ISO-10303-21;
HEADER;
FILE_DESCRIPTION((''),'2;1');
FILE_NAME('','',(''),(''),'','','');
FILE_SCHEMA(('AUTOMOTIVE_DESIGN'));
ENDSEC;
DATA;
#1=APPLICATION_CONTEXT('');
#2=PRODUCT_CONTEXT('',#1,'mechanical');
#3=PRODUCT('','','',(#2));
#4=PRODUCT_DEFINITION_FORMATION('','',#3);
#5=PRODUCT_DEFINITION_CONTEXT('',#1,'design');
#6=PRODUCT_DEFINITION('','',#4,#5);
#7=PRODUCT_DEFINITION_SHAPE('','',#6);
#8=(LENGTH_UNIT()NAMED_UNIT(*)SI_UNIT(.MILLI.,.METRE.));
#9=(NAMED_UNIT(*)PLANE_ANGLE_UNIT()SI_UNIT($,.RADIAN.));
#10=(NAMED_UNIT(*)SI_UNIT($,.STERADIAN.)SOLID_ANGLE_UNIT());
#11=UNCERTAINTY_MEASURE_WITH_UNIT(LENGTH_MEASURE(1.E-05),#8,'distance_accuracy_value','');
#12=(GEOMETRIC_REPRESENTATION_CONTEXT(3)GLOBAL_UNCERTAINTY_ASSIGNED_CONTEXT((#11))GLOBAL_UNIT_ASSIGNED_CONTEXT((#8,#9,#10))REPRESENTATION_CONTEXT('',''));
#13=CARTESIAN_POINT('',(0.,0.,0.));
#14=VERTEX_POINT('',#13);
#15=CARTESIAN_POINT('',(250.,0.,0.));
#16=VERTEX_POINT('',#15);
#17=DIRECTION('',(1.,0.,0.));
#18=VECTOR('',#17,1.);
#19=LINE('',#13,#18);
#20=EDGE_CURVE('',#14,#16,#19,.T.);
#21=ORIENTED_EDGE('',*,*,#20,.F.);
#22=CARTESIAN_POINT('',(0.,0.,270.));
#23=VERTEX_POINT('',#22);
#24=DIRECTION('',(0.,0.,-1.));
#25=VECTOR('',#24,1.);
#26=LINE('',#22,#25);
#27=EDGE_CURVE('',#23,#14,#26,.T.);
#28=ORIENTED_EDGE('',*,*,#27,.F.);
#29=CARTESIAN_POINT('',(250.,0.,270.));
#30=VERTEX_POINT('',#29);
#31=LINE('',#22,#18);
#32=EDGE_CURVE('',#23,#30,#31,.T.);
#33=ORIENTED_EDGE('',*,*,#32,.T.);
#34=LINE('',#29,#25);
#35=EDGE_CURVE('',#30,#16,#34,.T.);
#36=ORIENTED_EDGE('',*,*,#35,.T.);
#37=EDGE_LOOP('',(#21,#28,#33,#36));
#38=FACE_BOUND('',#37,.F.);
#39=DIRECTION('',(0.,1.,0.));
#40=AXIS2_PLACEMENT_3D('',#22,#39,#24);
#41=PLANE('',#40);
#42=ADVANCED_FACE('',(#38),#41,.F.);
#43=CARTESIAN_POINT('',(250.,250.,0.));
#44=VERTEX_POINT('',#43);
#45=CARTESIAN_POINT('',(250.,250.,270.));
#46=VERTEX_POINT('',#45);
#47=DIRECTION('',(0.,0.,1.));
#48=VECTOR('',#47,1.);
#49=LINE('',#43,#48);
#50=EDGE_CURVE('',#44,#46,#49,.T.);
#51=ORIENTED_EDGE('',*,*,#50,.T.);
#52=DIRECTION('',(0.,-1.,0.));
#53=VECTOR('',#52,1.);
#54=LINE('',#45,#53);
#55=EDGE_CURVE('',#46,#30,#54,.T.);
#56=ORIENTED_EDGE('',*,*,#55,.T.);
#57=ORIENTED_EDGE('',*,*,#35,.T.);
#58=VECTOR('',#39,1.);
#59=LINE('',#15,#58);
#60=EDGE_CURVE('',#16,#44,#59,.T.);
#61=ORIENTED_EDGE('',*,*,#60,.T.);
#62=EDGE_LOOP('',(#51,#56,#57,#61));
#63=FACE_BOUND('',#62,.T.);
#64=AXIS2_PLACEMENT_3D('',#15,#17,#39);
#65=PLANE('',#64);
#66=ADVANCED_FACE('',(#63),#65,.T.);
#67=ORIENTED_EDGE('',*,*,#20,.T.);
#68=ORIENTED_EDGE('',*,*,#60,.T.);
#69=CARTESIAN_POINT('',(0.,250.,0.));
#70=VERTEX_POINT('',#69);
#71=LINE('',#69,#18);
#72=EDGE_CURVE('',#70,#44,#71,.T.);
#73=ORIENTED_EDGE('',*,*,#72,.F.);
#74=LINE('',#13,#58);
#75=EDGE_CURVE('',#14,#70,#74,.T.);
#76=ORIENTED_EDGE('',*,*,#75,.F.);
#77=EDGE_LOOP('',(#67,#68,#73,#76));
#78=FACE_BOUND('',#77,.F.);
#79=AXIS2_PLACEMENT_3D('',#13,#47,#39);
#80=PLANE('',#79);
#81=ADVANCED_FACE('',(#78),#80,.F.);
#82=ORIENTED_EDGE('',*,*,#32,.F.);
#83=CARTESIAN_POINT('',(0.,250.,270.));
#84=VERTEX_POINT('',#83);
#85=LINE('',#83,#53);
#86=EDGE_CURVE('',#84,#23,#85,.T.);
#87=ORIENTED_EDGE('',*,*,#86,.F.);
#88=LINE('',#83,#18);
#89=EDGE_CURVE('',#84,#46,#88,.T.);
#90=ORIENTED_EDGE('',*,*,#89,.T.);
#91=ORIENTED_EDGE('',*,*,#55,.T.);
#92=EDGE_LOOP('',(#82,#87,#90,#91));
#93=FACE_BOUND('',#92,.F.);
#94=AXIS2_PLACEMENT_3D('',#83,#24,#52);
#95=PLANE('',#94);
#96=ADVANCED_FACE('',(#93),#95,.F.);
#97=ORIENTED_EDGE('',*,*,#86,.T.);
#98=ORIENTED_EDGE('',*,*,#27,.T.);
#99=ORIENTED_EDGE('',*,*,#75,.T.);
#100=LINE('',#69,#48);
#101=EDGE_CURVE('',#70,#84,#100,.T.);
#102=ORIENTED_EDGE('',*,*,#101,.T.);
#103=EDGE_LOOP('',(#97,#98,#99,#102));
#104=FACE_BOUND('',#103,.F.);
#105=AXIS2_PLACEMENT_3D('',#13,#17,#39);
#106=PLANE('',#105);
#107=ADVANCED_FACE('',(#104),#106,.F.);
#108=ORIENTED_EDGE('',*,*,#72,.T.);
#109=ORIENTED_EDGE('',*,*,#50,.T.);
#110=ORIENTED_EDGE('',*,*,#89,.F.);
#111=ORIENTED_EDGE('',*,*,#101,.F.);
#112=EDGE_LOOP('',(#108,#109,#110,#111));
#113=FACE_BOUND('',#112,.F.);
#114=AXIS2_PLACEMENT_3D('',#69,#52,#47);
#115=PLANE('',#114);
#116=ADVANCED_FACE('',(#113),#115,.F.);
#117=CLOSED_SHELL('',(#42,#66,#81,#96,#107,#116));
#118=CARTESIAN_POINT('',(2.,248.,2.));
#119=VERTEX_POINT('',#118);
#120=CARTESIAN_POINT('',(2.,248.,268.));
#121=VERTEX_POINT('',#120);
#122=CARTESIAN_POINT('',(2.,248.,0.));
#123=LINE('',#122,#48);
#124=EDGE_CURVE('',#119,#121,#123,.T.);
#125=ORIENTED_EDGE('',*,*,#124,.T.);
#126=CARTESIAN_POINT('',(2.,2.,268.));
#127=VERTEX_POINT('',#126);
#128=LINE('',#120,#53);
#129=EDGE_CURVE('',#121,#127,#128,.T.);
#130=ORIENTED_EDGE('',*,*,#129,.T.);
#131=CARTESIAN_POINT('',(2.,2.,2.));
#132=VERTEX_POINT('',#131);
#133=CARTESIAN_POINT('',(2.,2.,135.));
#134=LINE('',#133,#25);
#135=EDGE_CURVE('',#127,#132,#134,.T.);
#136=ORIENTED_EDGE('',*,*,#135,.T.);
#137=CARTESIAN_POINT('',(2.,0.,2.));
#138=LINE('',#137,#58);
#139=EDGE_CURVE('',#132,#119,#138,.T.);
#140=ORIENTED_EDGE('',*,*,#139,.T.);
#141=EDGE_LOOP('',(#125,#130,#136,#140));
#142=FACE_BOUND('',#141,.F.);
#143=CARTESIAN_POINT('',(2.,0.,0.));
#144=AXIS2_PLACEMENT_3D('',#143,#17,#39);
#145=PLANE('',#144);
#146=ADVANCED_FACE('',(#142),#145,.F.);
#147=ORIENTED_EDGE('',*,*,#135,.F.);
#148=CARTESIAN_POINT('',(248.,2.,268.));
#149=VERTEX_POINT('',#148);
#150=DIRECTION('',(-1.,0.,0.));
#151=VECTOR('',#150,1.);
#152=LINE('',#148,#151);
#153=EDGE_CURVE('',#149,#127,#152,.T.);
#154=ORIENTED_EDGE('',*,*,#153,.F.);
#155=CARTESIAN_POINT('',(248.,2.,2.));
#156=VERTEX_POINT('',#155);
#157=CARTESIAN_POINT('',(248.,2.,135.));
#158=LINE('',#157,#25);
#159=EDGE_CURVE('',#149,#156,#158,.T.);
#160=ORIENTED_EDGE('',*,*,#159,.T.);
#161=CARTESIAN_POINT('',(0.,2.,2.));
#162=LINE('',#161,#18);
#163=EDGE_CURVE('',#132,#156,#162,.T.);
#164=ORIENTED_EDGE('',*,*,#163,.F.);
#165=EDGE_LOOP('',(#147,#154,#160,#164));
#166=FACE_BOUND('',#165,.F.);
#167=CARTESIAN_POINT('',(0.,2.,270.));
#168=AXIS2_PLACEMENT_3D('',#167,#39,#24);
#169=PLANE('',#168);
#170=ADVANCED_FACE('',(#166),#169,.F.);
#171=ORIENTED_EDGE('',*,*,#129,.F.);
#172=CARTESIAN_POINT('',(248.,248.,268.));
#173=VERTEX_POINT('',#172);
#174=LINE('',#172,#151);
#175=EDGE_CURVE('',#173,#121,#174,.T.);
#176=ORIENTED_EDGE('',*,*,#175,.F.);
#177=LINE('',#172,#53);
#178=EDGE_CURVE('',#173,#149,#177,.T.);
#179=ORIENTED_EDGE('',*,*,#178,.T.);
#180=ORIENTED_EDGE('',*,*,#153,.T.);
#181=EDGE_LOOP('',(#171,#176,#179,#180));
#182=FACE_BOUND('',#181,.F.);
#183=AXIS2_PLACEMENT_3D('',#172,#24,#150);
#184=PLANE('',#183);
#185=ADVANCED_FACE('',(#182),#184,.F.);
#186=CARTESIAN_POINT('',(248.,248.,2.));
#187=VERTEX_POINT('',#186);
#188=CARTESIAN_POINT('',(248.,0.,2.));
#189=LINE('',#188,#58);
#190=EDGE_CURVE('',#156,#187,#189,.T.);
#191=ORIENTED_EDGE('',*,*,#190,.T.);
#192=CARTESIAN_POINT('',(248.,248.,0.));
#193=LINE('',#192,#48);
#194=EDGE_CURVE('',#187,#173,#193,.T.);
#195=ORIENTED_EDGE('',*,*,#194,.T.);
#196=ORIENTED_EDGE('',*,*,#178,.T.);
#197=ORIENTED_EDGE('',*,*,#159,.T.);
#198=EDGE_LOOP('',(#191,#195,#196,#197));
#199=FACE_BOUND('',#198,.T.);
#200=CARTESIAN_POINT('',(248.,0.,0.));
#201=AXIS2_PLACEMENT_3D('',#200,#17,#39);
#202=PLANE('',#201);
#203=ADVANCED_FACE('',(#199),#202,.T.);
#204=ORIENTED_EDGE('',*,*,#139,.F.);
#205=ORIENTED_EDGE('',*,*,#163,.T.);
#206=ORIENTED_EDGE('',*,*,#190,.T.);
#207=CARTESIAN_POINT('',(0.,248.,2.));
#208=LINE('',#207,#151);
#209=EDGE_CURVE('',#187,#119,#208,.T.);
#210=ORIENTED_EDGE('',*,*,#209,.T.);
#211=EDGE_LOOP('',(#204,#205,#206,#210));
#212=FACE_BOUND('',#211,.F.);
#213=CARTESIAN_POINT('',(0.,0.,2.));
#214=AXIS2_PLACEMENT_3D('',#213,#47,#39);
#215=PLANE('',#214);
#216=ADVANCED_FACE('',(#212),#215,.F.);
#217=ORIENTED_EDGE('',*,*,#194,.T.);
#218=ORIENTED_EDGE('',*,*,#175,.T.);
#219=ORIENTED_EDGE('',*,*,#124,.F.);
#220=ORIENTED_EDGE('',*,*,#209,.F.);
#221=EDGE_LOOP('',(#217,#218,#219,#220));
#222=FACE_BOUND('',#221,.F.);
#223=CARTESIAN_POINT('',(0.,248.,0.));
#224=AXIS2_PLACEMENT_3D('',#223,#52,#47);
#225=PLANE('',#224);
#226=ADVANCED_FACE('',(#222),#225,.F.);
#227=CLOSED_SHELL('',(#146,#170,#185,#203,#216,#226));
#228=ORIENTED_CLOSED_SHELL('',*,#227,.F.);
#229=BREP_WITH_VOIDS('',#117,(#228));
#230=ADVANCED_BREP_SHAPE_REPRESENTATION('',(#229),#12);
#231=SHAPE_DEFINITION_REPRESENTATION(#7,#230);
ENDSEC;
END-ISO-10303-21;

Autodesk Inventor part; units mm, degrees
ref_plane "YZ Plane" through (0, 0, 0) normal (1, 0, 0) x (0, 1, 0)
ref_plane "XZ Plane" through (0, 0, 0) normal (0, 1, 0) x (-1, 0, 0)
ref_plane "XY Plane" through (0, 0, 0) normal (0, 0, 1) x (1, 0, 0)
sketch "Sketch1" plane through (0, 0, 0) normal (1, 0, 0) x (0, 1, 0)
  line L0 (0, 0) -> (250, 0)
  line L1 (250, 0) -> (250, 270)
  line L2 (250, 270) -> (0, 270)
  line L3 (0, 270) -> (0, 0)
  dimension "d0" = 250
  dimension "d1" = 270
extrude "Extrusion1" add sketch "Sketch1" along normal blind 250
shell "Shell1" thickness 2 removed faces 1 at (166.6667, 166.6667, 270)
sketch "Sketch2" plane through (0, 250, 270) normal (0, 1, 0) x (1, 0, 0)
  point P0 (0, 270)
sketch "Sketch3" plane through (2, 248, 2) normal (0, -1, 0) x (1, 0, 0)
  line L0 (0, 268) -> (246, 268) projected
  line L1 (0, 268) -> (246, 268)
  line L2 (246, 268) -> (246, 266)
  line L3 (246, 266) -> (0, 266)
  line L4 (0, 266) -> (0, 268)
  point P0 (-2, -2)
  dimension "d5" = 246
  dimension "d6" = 2
extrude "Extrusion2" add sketch "Sketch3" along normal blind 246
properties part number "Caja grande"
